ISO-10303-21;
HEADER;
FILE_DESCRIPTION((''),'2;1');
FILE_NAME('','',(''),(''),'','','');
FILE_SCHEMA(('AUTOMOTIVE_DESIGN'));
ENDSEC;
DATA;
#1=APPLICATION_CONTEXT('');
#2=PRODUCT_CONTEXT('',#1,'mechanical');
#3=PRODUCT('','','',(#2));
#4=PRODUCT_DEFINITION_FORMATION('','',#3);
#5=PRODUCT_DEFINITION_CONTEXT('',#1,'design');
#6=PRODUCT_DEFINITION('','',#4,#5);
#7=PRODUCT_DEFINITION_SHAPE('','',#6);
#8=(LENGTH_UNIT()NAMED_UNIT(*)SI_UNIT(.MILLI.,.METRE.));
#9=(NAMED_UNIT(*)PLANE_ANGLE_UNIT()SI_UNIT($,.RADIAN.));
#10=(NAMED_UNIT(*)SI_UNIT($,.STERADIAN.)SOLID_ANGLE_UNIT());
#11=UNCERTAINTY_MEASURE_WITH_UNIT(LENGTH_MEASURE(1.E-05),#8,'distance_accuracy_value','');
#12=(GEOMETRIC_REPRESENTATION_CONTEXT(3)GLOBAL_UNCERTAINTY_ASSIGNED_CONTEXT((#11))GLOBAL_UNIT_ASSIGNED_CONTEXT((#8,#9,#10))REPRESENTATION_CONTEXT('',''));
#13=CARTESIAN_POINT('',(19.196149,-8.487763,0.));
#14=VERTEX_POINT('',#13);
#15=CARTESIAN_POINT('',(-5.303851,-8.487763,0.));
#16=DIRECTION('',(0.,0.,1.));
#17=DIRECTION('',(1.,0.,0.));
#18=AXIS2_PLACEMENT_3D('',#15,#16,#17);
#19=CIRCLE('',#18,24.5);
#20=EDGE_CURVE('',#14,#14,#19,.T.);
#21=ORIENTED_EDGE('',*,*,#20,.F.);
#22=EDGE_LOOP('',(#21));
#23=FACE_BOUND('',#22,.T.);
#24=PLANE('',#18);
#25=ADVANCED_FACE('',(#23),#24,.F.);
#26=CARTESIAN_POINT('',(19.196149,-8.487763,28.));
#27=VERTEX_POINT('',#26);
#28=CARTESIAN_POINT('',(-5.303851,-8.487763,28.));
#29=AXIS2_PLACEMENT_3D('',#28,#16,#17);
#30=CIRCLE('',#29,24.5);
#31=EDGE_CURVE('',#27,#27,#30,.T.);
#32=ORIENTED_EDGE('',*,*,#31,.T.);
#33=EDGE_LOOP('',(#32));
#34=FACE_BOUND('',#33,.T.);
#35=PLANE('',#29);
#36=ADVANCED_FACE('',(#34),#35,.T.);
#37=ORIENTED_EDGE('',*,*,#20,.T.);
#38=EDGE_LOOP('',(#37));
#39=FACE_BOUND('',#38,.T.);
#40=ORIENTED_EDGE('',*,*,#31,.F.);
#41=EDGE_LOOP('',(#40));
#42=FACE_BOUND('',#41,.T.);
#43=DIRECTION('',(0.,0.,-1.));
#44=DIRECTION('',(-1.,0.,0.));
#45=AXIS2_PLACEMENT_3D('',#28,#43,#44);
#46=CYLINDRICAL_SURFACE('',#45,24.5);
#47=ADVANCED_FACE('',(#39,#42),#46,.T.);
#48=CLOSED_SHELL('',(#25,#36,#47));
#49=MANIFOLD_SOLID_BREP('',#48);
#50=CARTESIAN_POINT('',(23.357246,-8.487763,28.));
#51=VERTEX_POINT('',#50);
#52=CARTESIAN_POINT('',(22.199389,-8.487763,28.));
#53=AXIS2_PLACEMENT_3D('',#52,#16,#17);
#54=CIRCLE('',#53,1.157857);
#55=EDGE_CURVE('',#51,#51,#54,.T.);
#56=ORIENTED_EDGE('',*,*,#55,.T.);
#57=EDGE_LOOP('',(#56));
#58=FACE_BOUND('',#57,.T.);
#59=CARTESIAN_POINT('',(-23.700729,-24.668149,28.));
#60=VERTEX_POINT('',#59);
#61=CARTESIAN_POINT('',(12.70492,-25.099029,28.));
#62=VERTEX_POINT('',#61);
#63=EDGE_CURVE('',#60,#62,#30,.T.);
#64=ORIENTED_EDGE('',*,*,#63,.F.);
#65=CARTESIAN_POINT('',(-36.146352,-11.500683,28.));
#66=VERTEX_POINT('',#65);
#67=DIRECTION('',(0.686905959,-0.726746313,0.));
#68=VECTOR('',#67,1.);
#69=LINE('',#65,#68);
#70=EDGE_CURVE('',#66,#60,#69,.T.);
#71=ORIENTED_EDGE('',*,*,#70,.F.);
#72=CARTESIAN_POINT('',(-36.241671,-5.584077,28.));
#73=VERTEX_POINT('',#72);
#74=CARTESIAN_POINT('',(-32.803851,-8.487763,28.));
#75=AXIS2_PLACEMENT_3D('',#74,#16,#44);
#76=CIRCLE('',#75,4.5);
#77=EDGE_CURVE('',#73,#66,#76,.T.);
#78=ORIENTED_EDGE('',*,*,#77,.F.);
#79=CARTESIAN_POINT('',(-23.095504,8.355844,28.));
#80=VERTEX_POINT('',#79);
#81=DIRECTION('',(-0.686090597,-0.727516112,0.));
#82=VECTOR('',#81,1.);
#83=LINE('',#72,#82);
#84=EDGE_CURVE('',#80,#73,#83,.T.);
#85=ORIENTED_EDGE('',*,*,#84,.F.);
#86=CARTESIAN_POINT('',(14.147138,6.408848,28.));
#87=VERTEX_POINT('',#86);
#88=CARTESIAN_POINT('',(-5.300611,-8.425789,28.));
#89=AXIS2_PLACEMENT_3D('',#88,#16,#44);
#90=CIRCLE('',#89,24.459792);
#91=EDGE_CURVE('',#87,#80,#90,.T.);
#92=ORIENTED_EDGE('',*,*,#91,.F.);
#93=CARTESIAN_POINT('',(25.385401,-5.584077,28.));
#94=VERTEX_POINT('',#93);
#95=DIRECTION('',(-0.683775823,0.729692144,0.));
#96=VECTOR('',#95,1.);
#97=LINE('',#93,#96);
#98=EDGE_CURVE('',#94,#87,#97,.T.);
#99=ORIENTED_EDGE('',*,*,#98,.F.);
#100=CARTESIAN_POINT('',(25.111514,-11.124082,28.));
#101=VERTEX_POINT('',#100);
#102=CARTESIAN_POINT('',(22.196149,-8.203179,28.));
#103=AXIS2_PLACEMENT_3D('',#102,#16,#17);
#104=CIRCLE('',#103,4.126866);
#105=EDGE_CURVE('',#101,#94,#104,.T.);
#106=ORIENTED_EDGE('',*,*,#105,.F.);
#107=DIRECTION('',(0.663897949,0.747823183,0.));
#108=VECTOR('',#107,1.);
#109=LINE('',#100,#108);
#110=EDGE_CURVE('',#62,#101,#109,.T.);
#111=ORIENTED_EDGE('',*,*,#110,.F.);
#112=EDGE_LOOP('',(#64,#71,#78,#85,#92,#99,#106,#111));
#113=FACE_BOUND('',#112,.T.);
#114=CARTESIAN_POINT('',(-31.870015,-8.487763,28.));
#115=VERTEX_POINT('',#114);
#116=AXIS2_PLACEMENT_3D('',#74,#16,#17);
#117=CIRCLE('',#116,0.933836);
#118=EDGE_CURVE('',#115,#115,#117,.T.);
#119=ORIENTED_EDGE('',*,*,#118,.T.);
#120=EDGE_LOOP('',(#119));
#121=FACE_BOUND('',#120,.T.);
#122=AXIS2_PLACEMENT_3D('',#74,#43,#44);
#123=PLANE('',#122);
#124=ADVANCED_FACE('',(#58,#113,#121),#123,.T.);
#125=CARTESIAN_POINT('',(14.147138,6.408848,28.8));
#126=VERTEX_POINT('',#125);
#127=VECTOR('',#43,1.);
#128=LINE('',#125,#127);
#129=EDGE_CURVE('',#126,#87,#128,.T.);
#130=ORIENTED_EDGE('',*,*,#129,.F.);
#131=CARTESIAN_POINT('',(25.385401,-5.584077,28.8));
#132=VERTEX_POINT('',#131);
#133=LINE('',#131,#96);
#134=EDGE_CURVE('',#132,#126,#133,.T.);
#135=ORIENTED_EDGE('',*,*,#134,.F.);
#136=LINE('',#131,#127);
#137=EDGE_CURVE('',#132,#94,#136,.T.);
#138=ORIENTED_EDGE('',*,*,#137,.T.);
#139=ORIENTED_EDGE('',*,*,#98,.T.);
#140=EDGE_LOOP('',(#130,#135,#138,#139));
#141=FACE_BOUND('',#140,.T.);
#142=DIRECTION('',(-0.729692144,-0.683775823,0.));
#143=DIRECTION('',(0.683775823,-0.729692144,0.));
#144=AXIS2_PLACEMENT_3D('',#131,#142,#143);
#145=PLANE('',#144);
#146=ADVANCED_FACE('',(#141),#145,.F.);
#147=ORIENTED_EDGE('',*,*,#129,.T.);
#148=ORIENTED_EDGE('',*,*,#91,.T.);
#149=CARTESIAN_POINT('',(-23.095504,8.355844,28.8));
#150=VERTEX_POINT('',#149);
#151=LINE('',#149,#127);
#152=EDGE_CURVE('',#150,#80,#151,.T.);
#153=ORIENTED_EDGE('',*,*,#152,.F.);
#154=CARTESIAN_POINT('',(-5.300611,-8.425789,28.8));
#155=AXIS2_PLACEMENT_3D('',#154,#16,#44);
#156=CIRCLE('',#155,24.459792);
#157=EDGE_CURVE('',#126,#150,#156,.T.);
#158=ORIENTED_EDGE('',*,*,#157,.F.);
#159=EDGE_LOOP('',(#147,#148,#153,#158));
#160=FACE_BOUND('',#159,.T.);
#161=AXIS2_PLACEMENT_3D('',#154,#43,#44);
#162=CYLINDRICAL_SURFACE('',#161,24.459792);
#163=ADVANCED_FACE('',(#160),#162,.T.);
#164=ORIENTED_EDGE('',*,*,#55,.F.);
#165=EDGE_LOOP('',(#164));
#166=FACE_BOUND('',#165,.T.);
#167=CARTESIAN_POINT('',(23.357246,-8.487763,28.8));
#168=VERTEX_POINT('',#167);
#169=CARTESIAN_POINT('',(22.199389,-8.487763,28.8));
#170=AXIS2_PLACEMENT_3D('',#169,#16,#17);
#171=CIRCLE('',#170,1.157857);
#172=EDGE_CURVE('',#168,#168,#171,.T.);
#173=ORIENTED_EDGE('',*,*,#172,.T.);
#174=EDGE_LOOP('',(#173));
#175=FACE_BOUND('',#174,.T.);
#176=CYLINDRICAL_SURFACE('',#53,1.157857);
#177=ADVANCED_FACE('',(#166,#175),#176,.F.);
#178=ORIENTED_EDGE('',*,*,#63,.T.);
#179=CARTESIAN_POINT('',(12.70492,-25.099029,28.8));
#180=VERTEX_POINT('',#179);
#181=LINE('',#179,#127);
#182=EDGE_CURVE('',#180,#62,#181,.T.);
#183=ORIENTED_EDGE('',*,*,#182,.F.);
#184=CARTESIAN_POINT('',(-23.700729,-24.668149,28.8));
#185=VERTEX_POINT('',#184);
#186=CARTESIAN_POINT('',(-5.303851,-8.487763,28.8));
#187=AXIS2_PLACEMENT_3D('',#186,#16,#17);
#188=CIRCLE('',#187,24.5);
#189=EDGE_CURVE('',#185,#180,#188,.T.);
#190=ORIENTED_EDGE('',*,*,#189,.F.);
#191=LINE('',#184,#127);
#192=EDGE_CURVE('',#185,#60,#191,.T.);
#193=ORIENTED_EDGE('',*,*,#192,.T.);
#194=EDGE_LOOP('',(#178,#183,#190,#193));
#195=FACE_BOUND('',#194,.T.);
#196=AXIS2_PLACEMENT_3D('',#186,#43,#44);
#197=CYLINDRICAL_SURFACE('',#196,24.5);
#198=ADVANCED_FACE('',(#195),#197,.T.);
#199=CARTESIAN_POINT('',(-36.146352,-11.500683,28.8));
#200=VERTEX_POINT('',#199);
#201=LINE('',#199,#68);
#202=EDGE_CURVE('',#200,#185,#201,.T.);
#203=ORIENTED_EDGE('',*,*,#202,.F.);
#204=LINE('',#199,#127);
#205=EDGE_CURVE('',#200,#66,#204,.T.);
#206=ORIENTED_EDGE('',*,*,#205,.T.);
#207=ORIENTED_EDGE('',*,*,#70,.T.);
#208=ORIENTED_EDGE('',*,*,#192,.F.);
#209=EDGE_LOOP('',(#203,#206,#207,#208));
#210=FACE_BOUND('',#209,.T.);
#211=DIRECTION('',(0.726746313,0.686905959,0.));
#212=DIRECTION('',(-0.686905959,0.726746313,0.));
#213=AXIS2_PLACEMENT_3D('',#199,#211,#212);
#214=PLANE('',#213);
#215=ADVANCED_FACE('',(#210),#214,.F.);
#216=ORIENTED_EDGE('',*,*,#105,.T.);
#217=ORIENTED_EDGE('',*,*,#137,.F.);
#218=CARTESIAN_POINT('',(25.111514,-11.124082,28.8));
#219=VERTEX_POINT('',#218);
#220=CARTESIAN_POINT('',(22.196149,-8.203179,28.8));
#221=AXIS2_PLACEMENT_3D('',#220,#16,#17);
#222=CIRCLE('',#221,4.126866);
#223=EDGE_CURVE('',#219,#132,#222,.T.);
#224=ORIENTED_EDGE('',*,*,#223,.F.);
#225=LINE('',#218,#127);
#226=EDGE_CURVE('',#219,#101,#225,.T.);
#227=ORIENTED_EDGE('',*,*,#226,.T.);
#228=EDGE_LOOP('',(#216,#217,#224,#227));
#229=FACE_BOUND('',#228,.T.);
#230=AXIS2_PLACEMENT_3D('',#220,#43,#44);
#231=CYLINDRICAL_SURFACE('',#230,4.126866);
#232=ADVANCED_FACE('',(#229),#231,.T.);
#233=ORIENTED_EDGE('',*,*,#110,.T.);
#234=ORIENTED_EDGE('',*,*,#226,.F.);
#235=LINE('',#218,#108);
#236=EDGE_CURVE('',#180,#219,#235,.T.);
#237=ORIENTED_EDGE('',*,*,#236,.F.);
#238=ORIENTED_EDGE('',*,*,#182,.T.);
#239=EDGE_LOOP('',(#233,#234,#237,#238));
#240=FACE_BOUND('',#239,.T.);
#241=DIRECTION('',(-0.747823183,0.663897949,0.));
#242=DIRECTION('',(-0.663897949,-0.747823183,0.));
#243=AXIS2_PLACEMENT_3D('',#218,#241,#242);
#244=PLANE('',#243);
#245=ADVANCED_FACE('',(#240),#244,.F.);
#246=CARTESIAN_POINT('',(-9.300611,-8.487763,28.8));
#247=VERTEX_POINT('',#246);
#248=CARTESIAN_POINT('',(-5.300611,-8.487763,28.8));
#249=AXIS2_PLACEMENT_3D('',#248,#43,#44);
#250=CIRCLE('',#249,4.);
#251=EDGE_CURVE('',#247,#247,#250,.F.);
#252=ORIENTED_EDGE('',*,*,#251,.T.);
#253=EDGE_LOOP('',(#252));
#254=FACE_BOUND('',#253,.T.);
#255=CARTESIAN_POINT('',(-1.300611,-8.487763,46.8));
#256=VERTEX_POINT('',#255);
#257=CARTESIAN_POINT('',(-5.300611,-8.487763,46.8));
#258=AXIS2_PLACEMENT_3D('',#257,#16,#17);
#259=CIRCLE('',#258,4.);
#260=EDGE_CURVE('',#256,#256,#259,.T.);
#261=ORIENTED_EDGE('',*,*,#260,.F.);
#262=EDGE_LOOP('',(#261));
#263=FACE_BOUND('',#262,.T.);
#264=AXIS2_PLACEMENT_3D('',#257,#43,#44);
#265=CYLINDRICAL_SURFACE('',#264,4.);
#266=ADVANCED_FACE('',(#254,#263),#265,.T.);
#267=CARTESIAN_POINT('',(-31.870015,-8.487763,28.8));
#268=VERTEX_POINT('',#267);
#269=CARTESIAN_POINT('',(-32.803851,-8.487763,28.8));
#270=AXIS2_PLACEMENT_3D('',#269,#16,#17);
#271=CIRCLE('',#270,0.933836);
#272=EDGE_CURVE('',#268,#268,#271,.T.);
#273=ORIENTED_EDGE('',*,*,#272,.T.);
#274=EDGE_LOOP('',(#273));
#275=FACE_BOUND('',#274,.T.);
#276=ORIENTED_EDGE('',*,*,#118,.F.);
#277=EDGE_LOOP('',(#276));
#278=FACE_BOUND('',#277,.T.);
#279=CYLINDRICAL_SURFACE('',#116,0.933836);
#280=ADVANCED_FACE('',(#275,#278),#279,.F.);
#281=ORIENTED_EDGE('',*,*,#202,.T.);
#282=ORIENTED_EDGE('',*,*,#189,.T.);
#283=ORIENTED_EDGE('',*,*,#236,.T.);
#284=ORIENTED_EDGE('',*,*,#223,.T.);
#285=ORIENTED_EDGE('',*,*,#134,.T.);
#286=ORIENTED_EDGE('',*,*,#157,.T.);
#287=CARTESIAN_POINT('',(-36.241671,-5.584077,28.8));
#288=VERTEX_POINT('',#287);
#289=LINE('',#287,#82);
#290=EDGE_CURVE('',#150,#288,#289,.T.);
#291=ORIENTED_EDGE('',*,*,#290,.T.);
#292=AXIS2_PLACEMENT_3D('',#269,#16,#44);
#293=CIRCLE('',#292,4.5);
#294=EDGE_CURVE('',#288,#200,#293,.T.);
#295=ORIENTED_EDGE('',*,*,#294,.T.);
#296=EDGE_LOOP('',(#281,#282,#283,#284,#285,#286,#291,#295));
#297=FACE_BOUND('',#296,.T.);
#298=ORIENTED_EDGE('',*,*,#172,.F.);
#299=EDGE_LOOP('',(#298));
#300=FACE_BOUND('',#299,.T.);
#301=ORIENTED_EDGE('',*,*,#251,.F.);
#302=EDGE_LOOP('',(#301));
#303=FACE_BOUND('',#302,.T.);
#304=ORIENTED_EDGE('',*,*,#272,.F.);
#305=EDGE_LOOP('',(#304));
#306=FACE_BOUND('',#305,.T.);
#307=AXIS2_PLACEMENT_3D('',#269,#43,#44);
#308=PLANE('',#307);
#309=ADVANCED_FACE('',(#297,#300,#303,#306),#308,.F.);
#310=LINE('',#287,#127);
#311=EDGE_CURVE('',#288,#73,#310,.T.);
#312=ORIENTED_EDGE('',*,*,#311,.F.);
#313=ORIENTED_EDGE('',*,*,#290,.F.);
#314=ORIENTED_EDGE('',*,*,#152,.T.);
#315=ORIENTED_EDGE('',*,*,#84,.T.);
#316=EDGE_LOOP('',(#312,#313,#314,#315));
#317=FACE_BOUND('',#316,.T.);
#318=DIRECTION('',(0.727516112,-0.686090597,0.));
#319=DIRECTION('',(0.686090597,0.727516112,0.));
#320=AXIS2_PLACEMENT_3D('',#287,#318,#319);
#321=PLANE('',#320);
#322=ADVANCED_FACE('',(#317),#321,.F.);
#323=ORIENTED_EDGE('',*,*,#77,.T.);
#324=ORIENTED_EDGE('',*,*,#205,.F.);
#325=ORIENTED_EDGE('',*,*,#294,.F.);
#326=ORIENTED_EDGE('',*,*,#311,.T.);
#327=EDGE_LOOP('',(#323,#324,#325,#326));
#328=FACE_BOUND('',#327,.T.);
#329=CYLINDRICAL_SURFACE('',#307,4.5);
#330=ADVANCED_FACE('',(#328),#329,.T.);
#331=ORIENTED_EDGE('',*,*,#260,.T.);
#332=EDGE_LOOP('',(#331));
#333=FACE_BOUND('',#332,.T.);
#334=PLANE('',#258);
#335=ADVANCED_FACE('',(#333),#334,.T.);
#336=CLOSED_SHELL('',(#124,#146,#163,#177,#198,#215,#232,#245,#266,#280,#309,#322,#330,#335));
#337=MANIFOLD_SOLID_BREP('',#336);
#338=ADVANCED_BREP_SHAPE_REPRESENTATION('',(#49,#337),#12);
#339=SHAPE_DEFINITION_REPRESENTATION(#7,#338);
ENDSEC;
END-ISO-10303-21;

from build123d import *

# Parameters (mm, degrees)
SKETCH_1_R          = 24.5
EXTRUDE_1_DEPTH     = 28
EXTRUDE_3_DEPTH     = 0.8
SKETCH_6_R          = 0.933836341
SKETCH_6_R_2        = 1.157857081
CUT_EXTRUDE_4_DEPTH = 0.8
SKETCH_7_R          = 4
EXTRUDE_4_DEPTH     = 18


with BuildPart() as part:
    # Эскиз1 → Бобышка-Вытянуть1 (new body)
    with BuildSketch(Plane.XY):
        with Locations((-5.303851292, -8.487763012)):
            Circle(SKETCH_1_R)
    extrude(amount=EXTRUDE_1_DEPTH)


with BuildPart() as body_2:
    # Эскиз5 → Бобышка-Вытянуть3 (new body)
    with BuildSketch(Plane.XY.offset(28)):
        with BuildLine():
            Line((-36.24167132, -5.584076828), (-23.095503823, 8.355844091))
            ThreePointArc((-23.095503823, 8.355844091), (-4.02362972, 16.000645984), (14.147137789, 6.408848138))
            Line((14.147137789, 6.408848138), (25.385400671, -5.584076828))
            ThreePointArc((25.385400671, -5.584076828), (26.317981115, -8.406954521), (25.111514012, -11.124082027))
            Line((25.111514012, -11.124082027), (12.70492036, -25.099028575))
            ThreePointArc((12.70492036, -25.099028575), (-5.593800919, -32.986047222), (-23.700728785, -24.668149241))
            Line((-23.700728785, -24.668149241), (-36.146351928, -11.500683439))
            ThreePointArc((-36.146351928, -11.500683439), (-37.303267424, -8.560250781), (-36.24167132, -5.584076828))
        make_face()
    extrude(amount=EXTRUDE_3_DEPTH)

    # Эскиз6 → Вырез-Вытянуть4 (cut)
    with BuildSketch(Plane.XY.offset(28.8)):
        with Locations((-32.803851292, -8.487763012)):
            Circle(SKETCH_6_R)
        with Locations((22.199388632, -8.487763012)):
            Circle(SKETCH_6_R_2)
    extrude(amount=-CUT_EXTRUDE_4_DEPTH, mode=Mode.SUBTRACT)

    # Эскиз7 → Бобышка-Вытянуть4 (add)
    with BuildSketch(Plane.XY.offset(28.8)):
        with Locations(Location((-5.300611368, -8.487763012, 0), (0, 0, 180))):
            Circle(SKETCH_7_R)
    extrude(amount=EXTRUDE_4_DEPTH)


solid = Compound([part.part, body_2.part])
